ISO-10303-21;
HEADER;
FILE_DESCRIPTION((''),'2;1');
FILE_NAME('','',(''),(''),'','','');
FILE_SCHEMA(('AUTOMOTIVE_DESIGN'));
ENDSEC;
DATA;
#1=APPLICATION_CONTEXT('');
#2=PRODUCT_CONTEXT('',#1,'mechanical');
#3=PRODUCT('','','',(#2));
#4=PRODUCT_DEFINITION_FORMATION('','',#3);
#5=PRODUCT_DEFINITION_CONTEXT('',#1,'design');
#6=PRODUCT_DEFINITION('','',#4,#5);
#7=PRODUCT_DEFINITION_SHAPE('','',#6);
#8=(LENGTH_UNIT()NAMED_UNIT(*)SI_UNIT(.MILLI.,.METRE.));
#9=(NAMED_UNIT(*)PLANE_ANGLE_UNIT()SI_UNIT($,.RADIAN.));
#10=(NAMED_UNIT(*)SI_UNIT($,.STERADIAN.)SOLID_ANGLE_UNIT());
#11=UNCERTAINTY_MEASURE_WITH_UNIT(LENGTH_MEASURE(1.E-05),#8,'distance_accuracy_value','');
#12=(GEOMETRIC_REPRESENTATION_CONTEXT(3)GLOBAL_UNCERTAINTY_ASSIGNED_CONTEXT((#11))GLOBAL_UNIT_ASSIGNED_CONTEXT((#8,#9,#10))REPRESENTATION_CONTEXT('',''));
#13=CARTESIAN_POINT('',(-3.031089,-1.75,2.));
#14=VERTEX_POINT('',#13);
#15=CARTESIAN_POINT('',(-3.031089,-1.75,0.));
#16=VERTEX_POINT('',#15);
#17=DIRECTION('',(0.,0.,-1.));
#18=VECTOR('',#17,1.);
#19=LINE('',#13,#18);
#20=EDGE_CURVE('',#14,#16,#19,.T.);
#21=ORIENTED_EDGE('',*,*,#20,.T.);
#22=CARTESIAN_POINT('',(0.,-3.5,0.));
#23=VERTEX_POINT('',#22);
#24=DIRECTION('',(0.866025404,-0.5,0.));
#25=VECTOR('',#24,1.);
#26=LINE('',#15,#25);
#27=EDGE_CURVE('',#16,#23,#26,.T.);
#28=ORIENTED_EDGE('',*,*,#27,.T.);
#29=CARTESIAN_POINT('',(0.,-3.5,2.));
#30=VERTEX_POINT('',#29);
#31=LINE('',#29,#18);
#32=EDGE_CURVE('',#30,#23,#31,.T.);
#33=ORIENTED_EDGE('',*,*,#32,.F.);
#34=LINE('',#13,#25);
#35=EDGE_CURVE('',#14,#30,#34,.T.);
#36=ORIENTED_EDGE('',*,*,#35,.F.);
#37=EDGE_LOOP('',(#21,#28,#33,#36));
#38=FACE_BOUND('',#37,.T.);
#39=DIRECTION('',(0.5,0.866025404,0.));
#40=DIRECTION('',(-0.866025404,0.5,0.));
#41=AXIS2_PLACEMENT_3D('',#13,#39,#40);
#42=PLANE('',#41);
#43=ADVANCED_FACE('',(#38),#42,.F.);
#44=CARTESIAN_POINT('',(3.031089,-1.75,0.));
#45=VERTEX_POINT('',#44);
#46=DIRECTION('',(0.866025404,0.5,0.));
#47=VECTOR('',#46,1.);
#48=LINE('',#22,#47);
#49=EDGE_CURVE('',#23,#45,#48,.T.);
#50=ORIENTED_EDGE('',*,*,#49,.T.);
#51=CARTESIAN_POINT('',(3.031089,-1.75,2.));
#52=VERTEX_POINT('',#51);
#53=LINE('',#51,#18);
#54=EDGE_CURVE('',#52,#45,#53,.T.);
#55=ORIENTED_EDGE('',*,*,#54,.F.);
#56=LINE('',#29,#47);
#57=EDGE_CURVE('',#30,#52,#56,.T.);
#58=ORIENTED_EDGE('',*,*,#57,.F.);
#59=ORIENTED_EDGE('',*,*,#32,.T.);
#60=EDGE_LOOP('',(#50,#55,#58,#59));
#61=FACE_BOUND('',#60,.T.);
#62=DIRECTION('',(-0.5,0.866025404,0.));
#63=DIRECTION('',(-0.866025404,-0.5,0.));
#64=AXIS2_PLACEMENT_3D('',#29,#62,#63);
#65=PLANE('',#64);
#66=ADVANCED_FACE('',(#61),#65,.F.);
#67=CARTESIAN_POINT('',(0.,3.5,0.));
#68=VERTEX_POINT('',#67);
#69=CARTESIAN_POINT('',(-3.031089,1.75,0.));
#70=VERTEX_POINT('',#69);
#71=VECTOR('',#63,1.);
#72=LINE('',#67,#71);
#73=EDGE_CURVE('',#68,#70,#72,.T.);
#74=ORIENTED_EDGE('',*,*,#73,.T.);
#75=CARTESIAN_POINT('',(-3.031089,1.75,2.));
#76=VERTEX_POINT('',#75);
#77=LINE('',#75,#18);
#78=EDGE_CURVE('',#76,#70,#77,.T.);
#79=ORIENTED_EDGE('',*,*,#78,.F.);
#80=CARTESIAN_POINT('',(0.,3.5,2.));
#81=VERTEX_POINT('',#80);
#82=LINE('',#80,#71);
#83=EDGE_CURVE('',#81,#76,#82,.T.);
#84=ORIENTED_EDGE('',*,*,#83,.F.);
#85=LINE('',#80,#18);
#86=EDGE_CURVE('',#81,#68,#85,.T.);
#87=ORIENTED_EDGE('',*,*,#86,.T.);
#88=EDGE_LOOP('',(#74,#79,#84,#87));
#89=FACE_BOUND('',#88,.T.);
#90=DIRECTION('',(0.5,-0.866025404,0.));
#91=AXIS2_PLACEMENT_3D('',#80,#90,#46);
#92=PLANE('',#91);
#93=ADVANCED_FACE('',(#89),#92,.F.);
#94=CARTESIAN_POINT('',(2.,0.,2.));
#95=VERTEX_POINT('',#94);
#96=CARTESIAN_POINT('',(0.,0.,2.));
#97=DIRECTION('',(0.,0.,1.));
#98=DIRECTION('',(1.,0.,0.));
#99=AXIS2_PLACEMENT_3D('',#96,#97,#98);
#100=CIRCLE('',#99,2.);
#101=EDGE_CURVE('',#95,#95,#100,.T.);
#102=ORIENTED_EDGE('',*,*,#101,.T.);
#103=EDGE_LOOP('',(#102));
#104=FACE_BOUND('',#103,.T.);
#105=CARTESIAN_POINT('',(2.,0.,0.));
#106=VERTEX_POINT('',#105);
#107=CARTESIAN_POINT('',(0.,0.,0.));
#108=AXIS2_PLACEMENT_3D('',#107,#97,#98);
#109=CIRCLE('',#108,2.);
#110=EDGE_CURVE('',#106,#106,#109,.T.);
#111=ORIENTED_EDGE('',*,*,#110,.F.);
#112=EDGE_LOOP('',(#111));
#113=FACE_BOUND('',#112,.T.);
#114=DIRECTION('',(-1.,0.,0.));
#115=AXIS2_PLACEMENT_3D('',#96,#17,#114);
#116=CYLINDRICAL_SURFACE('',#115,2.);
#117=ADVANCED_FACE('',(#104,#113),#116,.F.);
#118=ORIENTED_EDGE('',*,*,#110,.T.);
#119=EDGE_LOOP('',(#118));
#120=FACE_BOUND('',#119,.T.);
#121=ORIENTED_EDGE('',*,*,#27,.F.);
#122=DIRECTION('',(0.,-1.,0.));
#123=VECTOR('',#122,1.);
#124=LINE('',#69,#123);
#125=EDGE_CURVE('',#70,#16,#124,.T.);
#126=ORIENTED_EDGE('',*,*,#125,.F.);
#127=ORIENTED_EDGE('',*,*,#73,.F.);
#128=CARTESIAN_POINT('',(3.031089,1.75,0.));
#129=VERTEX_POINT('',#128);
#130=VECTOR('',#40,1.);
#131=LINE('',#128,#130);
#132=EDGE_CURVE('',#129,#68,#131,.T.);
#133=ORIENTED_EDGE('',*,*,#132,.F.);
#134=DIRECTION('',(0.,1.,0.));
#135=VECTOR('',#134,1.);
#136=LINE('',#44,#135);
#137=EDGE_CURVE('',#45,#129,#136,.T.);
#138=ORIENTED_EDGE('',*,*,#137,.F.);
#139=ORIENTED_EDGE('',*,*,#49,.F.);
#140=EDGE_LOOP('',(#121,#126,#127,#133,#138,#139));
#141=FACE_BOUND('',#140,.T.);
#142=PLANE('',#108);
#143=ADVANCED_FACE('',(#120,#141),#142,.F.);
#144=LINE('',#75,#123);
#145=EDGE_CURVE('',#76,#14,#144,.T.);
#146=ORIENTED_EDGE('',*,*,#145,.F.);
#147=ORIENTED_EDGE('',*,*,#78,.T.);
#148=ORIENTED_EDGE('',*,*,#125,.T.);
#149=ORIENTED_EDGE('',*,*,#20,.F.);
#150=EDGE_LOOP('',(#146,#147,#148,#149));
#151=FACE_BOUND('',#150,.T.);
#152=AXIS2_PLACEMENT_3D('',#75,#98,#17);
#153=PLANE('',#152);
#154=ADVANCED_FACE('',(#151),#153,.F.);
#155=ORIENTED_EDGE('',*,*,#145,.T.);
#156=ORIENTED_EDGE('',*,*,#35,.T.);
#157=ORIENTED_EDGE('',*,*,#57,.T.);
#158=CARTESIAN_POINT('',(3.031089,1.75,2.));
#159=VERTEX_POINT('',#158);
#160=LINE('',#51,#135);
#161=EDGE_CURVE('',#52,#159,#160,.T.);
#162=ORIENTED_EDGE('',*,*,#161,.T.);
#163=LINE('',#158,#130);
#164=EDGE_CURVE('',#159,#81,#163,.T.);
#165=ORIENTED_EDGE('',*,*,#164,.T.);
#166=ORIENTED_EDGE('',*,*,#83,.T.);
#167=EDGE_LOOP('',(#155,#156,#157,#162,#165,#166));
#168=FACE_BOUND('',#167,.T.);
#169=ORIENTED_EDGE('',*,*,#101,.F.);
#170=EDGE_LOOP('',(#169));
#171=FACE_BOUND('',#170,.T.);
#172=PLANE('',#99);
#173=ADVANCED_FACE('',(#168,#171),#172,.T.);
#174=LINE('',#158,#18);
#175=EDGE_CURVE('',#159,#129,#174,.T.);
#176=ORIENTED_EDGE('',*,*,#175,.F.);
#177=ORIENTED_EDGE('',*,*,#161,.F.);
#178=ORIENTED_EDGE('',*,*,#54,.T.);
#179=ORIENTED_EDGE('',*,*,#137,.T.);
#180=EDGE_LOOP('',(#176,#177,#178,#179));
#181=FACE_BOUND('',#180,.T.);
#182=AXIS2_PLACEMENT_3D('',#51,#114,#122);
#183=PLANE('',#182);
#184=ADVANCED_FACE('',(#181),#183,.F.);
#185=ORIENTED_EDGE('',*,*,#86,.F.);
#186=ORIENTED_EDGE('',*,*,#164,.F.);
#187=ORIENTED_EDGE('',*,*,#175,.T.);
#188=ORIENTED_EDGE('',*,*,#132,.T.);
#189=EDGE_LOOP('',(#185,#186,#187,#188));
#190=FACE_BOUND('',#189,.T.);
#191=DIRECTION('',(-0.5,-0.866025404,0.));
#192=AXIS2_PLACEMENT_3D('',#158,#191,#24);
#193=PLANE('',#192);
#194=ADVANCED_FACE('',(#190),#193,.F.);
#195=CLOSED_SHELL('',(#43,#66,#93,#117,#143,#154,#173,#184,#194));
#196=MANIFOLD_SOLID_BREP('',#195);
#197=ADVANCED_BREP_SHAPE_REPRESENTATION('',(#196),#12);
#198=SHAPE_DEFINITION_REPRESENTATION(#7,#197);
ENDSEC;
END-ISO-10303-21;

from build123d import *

# Parameters (mm, degrees)
SCHIZZO1_R                   = 2
ESTRUSIONE_ESTRUSIONE1_DEPTH = 2


with BuildPart() as part:
    # Schizzo1 → Estrusione-Estrusione1 (new body)
    with BuildSketch(Plane.XY):
        Polygon((-3.031088913, 1.75), (-3.031088913, -1.75), (0, -3.5), (3.031088913, -1.75), (3.031088913, 1.75), (0, 3.5), align=None)
        Circle(SCHIZZO1_R, mode=Mode.SUBTRACT)
    extrude(amount=ESTRUSIONE_ESTRUSIONE1_DEPTH)


solid = part.part
